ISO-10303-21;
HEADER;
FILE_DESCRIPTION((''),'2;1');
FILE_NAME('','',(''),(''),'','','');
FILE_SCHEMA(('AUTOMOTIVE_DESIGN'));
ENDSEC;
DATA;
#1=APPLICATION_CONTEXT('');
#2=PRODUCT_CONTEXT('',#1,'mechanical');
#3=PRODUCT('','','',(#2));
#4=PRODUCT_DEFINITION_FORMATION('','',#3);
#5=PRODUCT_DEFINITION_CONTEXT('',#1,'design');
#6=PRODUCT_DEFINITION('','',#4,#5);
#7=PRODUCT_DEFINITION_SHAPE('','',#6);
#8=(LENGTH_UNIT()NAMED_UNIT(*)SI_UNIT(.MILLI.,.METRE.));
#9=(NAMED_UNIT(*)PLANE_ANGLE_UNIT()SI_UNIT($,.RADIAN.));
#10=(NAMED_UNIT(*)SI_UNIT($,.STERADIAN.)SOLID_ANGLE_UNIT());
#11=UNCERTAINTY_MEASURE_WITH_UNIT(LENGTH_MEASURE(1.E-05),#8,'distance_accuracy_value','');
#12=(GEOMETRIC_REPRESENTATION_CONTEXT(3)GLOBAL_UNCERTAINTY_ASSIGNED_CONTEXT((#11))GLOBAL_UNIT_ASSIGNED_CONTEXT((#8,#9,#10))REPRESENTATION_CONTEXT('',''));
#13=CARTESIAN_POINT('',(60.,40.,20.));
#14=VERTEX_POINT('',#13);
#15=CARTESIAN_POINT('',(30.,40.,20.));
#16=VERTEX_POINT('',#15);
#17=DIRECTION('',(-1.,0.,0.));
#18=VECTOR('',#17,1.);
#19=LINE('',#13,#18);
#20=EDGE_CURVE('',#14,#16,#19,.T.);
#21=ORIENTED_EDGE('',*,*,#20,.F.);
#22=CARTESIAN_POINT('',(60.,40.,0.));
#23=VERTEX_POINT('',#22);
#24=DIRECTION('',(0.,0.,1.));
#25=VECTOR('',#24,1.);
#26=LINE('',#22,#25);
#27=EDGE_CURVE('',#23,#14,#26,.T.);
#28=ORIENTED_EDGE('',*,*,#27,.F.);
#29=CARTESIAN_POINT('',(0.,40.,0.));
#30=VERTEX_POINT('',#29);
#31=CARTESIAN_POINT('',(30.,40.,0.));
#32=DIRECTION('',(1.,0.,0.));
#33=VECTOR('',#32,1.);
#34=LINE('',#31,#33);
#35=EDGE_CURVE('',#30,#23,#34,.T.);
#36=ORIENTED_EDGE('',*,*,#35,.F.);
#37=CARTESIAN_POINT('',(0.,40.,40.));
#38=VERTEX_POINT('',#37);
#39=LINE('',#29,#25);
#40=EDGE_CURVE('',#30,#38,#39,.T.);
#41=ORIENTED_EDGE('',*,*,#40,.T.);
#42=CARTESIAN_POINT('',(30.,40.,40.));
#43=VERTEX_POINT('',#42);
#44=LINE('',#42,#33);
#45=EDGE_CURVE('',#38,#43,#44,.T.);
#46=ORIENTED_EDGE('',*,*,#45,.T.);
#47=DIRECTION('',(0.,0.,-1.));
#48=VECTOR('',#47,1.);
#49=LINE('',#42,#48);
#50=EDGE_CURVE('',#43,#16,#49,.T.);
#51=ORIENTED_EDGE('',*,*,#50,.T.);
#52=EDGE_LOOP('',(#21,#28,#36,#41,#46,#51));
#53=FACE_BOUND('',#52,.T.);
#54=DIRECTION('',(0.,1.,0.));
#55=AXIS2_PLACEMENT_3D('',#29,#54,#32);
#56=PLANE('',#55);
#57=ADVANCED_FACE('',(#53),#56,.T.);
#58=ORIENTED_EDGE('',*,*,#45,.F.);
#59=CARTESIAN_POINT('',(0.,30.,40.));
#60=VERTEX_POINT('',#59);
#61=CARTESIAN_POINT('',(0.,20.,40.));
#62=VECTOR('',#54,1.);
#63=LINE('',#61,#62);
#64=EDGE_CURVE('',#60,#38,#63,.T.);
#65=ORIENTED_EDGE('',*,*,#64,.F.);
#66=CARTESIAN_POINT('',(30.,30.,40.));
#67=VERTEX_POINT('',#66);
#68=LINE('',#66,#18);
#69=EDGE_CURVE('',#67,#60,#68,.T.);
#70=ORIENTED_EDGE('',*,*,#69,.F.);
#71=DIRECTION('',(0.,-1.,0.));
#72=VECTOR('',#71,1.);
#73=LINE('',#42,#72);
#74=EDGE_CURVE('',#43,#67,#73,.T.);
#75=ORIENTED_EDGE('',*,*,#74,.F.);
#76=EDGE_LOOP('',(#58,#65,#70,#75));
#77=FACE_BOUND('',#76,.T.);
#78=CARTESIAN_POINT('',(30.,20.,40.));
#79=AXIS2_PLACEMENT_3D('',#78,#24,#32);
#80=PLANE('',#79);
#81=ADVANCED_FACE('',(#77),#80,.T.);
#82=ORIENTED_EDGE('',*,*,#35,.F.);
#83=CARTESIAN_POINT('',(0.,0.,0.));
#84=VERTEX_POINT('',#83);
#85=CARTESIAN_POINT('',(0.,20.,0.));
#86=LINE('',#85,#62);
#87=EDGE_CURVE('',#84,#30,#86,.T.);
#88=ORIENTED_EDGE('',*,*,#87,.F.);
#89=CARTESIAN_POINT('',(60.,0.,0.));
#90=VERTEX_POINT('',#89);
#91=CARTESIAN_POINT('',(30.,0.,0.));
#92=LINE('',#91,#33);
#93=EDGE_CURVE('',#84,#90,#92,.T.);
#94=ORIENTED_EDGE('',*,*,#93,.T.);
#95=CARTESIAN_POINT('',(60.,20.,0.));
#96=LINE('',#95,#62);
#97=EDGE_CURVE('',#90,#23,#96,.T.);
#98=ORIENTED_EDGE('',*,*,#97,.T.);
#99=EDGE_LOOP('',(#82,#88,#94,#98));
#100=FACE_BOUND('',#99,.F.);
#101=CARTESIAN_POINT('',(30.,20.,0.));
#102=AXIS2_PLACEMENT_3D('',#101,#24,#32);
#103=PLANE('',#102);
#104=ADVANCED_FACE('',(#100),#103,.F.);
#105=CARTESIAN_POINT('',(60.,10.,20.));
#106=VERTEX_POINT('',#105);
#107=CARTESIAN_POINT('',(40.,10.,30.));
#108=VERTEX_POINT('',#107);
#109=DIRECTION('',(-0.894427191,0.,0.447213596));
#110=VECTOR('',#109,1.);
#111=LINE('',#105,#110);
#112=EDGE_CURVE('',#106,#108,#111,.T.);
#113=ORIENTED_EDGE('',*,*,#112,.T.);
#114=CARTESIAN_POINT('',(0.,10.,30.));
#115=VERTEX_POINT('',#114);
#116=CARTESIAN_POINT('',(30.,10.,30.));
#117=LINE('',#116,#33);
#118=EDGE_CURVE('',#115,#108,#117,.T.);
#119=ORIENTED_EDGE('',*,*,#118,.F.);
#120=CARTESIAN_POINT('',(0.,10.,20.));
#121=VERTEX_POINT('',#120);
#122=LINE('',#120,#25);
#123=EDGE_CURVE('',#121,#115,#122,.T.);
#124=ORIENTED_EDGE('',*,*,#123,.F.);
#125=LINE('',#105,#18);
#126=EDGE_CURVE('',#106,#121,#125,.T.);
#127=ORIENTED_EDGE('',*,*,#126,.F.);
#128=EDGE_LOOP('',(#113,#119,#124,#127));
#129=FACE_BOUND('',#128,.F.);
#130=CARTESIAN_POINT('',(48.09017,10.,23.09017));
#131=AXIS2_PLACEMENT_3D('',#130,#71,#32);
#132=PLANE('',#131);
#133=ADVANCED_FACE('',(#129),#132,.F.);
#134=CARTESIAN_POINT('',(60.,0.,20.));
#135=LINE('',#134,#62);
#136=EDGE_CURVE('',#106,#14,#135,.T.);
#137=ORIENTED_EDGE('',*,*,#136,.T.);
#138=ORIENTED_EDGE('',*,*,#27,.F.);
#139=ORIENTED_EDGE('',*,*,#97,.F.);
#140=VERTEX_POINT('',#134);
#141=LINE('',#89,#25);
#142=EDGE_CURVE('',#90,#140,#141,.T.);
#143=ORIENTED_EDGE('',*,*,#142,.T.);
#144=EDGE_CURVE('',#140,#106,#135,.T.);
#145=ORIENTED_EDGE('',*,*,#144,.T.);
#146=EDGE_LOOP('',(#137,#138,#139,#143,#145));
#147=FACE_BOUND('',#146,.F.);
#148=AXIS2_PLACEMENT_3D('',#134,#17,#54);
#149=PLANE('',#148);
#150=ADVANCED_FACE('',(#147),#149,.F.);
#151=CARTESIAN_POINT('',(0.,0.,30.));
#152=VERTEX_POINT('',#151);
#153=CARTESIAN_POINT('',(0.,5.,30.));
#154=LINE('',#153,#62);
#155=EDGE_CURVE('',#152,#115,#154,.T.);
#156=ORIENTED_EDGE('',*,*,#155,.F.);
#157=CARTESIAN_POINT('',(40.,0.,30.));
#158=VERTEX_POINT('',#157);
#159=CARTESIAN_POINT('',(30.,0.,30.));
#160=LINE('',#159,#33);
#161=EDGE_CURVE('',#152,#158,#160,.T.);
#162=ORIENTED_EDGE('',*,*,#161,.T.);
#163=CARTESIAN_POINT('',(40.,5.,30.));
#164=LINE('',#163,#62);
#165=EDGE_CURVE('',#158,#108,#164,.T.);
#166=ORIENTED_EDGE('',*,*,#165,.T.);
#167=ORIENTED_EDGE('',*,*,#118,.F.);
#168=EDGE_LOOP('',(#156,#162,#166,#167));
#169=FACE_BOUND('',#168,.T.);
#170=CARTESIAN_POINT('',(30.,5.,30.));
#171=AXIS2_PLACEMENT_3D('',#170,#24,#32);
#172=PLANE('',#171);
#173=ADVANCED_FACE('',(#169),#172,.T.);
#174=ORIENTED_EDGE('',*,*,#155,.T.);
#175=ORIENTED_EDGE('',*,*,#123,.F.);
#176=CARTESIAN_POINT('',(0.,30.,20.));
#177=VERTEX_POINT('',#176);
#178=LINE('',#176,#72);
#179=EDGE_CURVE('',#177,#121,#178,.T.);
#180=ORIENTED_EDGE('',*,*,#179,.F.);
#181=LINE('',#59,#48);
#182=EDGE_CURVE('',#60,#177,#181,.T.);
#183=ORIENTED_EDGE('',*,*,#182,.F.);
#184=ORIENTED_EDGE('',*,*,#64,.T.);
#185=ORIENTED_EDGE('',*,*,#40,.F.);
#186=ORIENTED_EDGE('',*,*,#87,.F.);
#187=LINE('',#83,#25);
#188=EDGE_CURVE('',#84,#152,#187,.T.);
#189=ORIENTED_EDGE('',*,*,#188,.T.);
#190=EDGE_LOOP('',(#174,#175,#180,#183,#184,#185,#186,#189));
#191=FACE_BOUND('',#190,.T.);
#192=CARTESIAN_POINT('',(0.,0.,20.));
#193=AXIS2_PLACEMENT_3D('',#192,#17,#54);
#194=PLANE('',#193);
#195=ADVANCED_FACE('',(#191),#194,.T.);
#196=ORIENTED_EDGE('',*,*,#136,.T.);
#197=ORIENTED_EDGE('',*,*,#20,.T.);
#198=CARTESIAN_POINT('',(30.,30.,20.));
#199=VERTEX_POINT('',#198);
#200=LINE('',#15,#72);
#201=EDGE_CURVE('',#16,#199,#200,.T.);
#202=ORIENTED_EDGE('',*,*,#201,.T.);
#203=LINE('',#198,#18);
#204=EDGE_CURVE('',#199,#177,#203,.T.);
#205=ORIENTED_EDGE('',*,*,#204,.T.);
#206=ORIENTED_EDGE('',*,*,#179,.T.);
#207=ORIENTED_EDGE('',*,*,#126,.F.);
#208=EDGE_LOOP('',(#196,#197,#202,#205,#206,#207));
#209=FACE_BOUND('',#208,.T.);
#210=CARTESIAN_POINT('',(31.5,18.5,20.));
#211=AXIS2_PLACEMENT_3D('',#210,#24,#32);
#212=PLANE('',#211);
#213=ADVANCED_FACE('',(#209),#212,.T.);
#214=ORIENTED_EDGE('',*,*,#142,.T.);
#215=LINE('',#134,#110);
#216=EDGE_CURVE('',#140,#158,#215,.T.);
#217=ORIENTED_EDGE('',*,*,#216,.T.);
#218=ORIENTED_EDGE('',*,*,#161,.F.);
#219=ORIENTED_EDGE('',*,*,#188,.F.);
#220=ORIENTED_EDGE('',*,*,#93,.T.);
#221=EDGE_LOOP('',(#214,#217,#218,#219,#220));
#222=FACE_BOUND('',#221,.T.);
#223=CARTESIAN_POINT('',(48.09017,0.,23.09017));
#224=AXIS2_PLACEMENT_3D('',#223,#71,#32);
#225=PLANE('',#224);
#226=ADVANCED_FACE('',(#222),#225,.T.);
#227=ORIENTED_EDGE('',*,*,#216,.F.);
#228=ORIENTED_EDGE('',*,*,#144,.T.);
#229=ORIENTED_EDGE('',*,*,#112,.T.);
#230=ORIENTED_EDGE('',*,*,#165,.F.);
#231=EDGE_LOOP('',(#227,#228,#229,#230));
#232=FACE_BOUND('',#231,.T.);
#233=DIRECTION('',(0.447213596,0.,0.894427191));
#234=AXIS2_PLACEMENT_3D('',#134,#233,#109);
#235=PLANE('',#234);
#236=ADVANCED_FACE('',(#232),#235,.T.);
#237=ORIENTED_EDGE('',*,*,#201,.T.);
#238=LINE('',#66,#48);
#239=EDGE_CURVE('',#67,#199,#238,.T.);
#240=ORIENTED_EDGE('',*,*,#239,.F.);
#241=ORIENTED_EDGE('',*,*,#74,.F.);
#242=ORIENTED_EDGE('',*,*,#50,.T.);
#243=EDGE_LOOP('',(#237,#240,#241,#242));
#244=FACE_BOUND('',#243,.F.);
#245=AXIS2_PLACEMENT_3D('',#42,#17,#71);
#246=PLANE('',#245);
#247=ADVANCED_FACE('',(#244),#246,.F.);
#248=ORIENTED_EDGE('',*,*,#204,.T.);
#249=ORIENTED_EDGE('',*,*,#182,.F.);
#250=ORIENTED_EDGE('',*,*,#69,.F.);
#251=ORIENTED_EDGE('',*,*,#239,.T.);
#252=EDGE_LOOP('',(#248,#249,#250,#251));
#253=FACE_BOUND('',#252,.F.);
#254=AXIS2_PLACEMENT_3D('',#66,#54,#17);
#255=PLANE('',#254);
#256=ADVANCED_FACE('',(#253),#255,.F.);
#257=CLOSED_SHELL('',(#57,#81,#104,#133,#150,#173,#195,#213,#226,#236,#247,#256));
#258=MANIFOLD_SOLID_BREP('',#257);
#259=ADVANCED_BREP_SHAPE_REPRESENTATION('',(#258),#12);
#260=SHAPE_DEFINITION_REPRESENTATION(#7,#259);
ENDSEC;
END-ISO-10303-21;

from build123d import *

# Parameters (mm, degrees)
F0_W      = 60
F0_H      = 40
F1_DEPTH  = 40
F4_DEPTH  = 20
F3_W      = 60
F3_H      = 10
F5_DEPTH  = 10
F6_W      = 60
F6_H      = 10
F7_DEPTH  = 10
F8_W      = 20
F8_H      = 10
F9_DEPTH  = 10
F11_DEPTH = 10


with BuildPart() as f1:
    # F0 (on Top) → F1 (new body)
    with BuildSketch(Plane.XY):
        with Locations((30, 20)):
            Rectangle(F0_W, F0_H)
    extrude(amount=F1_DEPTH)

    # F2 (on face) → F4 (cut)
    with BuildSketch(Plane.XY.offset(40)):
        Polygon((60, 40), (30, 40), (30, 30), (0, 30), (0, 0), (60, 0), align=None)
    extrude(amount=-F4_DEPTH, mode=Mode.SUBTRACT)

    # F3 (on face) → F5 (cut)
    with BuildSketch(Plane.XY.offset(40)):
        with Locations((30, 5)):
            Rectangle(F3_W, F3_H)
    extrude(amount=F5_DEPTH, mode=Mode.SUBTRACT)

    # F6 (on face) → F7 (join)
    with BuildSketch(Plane.XY.offset(20)):
        with Locations((30, 5)):
            Rectangle(F6_W, F6_H)
    extrude(amount=F7_DEPTH)

    # F8 (on face) → F9 (cut)
    with BuildSketch(Plane.XY.offset(30)):
        with Locations((50, 5)):
            Rectangle(F8_W, F8_H)
    extrude(amount=-F9_DEPTH, mode=Mode.SUBTRACT)

    # F10 (on face) → F11 (join)
    with BuildSketch(Plane.XZ):
        Polygon((60, 20), (40, 30), (40, 20), align=None)
    extrude(amount=-F11_DEPTH)


solid = f1.part
